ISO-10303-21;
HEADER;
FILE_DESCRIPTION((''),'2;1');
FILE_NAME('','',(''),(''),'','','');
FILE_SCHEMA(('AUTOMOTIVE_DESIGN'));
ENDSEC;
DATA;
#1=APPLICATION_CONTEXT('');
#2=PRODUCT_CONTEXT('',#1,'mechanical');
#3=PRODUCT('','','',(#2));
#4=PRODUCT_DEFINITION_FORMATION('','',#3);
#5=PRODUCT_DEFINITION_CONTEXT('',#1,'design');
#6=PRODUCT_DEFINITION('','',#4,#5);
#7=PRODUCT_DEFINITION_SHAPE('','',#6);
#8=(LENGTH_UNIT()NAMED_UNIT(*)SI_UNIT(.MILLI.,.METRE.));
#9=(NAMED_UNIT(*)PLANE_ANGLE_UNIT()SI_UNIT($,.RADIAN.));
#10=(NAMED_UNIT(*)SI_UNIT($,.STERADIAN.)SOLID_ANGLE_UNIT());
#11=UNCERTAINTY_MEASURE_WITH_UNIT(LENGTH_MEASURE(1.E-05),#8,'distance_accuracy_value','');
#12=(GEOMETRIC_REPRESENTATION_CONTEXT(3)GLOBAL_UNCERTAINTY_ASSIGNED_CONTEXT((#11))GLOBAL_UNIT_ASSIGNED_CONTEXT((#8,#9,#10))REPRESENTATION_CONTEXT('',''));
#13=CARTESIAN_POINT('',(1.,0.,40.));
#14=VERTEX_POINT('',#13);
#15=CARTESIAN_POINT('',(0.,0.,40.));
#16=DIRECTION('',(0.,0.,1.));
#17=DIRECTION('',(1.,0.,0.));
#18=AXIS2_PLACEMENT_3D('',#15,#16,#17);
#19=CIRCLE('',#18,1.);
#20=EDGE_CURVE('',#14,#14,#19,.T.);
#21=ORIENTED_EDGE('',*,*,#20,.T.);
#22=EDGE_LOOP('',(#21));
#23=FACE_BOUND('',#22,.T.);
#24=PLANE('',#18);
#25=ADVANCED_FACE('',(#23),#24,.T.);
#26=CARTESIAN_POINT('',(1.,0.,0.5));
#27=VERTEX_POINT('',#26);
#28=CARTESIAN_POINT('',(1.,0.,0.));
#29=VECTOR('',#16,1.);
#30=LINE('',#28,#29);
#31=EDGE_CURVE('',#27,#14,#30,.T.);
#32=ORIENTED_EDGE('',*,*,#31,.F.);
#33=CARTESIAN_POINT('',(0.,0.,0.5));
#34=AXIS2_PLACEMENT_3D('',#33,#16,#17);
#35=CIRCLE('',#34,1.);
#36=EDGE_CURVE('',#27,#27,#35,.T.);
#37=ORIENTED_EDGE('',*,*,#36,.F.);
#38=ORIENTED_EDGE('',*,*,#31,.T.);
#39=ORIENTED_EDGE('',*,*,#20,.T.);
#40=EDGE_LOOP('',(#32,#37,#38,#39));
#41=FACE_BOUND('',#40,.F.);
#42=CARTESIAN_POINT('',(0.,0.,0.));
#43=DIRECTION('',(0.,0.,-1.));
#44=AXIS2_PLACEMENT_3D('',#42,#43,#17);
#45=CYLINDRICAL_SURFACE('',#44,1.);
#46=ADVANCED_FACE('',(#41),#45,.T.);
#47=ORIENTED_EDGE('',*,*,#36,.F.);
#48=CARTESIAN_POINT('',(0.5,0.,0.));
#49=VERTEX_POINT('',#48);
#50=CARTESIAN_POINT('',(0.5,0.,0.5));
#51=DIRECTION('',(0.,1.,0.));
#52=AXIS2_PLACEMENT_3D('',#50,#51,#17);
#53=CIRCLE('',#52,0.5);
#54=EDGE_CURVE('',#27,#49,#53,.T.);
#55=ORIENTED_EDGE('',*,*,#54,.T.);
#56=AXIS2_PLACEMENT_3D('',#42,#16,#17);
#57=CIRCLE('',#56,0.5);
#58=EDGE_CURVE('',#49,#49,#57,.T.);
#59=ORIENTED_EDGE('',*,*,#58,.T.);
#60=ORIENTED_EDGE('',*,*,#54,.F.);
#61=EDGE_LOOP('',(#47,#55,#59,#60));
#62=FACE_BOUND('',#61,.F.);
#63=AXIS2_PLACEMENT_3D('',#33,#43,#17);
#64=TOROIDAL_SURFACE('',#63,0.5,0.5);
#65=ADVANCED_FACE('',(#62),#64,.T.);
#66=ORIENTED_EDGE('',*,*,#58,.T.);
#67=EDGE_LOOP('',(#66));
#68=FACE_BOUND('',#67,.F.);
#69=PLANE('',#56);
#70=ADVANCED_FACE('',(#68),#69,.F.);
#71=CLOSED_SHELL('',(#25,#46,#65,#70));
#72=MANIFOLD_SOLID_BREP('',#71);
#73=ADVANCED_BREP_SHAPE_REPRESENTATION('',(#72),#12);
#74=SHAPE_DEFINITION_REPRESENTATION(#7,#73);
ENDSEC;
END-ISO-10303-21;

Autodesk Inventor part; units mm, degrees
ref_plane "YZ Plane" through (0, 0, 0) normal (1, 0, 0) x (0, 1, 0)
ref_plane "XZ Plane" through (0, 0, 0) normal (0, 1, 0) x (-1, 0, 0)
ref_plane "XY Plane" through (0, 0, 0) normal (0, 0, 1) x (1, 0, 0)
sketch "Skizze1" plane through (0, 0, 0) normal (0, 0, 1) x (1, 0, 0)
  circle A0 centre (0, 0) radius 1
  dimension "d0" = 2
extrude "Extrusion1" add sketch "Skizze1" along normal blind 40
fillet "Rundung1" radius 0.5 1 edges at (-1, 0, 0)
properties part number "shaft" material "Aluminium 6061"
